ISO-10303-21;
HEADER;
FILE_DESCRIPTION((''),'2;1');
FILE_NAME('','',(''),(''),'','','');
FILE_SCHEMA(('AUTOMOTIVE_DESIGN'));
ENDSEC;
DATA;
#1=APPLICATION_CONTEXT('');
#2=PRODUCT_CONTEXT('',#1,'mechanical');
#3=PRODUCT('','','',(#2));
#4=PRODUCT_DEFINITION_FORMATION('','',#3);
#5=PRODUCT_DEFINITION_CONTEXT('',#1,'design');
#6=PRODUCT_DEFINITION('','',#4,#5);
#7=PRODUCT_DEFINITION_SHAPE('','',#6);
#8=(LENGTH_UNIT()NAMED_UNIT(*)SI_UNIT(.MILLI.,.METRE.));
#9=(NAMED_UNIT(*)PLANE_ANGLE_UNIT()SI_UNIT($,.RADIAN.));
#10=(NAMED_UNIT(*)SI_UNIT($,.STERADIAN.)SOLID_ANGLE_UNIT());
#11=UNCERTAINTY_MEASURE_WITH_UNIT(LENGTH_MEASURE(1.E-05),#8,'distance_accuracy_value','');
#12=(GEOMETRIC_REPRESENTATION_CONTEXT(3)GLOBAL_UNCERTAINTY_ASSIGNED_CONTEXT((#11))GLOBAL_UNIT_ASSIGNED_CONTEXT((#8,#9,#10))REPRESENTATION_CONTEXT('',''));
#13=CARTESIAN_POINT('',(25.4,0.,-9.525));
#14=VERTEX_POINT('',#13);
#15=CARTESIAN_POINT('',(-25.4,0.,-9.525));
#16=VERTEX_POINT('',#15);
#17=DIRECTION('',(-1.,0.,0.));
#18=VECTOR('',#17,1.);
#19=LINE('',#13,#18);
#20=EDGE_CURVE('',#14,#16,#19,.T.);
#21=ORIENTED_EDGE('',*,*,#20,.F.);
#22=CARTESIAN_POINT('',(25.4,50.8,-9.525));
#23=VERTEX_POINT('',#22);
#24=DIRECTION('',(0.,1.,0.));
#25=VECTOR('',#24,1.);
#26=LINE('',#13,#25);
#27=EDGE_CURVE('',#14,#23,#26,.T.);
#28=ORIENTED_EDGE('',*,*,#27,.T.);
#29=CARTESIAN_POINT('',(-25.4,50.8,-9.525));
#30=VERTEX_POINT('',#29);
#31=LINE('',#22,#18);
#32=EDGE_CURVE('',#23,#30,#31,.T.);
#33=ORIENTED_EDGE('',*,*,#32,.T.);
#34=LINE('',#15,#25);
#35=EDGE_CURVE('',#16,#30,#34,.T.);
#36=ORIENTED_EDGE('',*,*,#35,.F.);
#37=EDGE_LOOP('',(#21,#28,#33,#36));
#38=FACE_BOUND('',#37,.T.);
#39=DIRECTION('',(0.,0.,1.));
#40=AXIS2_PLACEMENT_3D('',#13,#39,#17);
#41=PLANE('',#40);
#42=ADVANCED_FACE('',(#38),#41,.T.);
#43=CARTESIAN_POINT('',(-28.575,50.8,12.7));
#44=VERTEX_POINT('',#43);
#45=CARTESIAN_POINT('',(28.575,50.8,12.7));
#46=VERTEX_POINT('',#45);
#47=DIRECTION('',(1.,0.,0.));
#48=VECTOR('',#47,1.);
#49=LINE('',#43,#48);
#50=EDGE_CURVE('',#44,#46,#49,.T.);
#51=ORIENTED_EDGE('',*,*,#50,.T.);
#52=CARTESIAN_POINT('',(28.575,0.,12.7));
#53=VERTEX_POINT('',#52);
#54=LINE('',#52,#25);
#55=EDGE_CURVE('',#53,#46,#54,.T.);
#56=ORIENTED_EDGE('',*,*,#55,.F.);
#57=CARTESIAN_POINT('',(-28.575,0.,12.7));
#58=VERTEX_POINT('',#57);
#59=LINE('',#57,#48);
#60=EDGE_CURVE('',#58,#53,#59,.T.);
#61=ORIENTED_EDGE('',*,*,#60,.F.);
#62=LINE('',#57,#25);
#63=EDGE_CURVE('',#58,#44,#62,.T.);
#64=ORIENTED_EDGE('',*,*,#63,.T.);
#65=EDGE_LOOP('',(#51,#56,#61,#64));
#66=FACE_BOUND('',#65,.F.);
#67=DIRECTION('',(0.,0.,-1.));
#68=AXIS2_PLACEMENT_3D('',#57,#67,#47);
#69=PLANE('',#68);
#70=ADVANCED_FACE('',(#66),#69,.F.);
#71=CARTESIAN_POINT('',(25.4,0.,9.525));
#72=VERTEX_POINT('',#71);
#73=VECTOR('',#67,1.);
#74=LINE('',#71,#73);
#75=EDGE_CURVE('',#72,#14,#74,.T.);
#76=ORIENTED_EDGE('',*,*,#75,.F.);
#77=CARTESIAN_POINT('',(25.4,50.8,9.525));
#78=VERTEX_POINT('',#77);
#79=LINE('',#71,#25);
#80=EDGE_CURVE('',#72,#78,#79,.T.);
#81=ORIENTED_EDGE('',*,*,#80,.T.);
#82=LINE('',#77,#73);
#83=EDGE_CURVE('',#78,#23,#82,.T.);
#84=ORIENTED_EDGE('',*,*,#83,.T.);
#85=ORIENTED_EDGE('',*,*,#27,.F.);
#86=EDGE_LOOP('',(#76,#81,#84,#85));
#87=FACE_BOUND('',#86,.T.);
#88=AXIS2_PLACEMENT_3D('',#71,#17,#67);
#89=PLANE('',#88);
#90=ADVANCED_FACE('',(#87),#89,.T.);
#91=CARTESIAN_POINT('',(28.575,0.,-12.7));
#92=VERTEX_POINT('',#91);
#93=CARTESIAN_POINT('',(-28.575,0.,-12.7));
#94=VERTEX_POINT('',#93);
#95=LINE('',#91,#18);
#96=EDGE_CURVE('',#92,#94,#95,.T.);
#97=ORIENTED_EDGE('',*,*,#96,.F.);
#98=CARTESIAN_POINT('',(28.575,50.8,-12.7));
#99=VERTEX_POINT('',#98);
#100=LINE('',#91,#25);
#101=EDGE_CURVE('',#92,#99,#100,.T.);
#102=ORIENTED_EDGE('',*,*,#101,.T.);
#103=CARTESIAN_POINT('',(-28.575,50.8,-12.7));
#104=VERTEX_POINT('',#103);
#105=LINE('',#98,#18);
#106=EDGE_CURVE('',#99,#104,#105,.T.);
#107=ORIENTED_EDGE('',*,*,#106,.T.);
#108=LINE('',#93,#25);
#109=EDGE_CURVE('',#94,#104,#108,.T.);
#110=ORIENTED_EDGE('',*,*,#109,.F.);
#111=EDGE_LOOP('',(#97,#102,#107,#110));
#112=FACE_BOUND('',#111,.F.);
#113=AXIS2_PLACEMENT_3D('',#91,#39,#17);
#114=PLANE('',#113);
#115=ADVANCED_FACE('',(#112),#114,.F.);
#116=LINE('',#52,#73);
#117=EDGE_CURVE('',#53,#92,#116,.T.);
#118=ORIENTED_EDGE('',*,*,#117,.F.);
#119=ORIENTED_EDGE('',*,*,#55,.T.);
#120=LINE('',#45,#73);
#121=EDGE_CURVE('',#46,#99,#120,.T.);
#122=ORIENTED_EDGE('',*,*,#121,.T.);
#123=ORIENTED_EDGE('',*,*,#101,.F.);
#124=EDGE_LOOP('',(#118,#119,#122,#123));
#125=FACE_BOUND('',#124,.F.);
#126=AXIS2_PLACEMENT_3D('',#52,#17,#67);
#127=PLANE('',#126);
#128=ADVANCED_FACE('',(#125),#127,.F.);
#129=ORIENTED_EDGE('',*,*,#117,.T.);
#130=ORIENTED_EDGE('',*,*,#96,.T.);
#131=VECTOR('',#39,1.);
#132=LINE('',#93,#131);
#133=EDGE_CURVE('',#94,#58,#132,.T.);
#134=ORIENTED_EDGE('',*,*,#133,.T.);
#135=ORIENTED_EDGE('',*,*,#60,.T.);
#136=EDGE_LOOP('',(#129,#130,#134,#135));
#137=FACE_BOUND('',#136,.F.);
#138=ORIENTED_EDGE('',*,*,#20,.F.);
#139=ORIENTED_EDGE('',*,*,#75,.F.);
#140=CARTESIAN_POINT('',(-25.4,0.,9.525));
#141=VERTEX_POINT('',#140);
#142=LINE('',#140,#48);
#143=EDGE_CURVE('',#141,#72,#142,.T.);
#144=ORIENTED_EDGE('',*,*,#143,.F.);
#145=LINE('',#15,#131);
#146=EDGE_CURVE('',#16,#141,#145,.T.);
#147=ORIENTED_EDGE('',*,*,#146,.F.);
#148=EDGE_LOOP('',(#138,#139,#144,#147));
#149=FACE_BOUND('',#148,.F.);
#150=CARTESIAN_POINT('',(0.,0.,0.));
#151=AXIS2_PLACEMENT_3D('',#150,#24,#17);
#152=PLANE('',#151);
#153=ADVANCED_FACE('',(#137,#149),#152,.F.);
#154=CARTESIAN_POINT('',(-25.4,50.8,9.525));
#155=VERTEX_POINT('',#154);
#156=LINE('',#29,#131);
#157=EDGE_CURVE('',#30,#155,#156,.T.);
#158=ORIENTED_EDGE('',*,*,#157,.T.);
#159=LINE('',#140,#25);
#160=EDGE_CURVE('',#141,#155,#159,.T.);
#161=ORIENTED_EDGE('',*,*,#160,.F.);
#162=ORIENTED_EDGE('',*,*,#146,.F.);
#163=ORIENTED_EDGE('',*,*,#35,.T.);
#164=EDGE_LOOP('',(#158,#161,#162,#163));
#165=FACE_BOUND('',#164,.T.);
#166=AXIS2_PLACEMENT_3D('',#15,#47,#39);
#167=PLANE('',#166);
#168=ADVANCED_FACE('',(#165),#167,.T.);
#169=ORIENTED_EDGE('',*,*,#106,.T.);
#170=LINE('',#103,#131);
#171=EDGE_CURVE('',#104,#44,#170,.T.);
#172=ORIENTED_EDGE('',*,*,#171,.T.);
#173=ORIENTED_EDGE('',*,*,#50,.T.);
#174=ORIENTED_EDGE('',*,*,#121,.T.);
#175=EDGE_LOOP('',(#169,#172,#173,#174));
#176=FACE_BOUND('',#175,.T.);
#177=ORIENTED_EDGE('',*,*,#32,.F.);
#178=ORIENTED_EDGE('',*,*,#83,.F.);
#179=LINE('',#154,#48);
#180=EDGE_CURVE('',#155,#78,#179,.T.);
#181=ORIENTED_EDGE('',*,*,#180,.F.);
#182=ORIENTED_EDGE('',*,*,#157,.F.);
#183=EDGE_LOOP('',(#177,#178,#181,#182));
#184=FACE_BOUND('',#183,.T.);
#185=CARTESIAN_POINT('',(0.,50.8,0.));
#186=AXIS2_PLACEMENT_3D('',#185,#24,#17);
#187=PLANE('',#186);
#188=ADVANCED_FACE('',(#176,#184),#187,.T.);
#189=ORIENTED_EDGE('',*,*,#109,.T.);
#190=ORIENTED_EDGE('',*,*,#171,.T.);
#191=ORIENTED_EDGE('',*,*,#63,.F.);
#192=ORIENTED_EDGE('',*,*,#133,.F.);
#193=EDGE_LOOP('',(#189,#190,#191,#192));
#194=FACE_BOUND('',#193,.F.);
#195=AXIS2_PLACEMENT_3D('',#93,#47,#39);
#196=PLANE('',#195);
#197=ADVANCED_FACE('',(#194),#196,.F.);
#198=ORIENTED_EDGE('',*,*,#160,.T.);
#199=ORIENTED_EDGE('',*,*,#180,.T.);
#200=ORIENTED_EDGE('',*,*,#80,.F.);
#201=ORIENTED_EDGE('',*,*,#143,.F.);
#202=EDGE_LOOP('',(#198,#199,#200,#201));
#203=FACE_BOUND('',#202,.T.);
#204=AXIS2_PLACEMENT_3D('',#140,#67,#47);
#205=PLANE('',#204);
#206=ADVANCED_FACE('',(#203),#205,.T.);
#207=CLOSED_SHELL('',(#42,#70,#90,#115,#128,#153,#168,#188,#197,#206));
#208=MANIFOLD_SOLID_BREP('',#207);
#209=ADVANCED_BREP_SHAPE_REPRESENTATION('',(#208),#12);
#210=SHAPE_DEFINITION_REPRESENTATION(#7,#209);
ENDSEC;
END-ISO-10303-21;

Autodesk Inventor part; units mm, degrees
ref_plane "YZ Plane" through (0, 0, 0) normal (1, 0, 0) x (0, 1, 0)
ref_plane "XZ Plane" through (0, 0, 0) normal (0, 1, 0) x (-1, 0, 0)
ref_plane "XY Plane" through (0, 0, 0) normal (0, 0, 1) x (1, 0, 0)
sketch "Sketch1" plane through (0, 0, 0) normal (0, 1, 0) x (-1, 0, 0)
  line L0 (-28.575, 12.7) -> (-28.575, -12.7)
  line L1 (-28.575, -12.7) -> (28.575, -12.7)
  line L2 (28.575, -12.7) -> (28.575, 12.7)
  line L3 (28.575, 12.7) -> (-28.575, 12.7)
  line L4 (-28.575, 12.7) -> (28.575, -12.7) construction
  line L5 (-28.575, -12.7) -> (28.575, 12.7) construction
  line L6 (-25.4, 9.525) -> (-25.4, -9.525)
  line L7 (-25.4, -9.525) -> (25.4, -9.525)
  line L8 (25.4, -9.525) -> (25.4, 9.525)
  line L9 (25.4, 9.525) -> (-25.4, 9.525)
  line L10 (-25.4, 9.525) -> (25.4, -9.525) construction
  line L11 (-25.4, -9.525) -> (25.4, 9.525) construction
  point P0 (0, 0)
  dimension "d0" = 25.4
  dimension "d1" = 57.15
  dimension "d2" = 3.175
  dimension "d3" = 3.175
extrude "Extrusion1" add sketch "Sketch1" along normal blind 50.8
properties part number "spacer-1x2_250"
